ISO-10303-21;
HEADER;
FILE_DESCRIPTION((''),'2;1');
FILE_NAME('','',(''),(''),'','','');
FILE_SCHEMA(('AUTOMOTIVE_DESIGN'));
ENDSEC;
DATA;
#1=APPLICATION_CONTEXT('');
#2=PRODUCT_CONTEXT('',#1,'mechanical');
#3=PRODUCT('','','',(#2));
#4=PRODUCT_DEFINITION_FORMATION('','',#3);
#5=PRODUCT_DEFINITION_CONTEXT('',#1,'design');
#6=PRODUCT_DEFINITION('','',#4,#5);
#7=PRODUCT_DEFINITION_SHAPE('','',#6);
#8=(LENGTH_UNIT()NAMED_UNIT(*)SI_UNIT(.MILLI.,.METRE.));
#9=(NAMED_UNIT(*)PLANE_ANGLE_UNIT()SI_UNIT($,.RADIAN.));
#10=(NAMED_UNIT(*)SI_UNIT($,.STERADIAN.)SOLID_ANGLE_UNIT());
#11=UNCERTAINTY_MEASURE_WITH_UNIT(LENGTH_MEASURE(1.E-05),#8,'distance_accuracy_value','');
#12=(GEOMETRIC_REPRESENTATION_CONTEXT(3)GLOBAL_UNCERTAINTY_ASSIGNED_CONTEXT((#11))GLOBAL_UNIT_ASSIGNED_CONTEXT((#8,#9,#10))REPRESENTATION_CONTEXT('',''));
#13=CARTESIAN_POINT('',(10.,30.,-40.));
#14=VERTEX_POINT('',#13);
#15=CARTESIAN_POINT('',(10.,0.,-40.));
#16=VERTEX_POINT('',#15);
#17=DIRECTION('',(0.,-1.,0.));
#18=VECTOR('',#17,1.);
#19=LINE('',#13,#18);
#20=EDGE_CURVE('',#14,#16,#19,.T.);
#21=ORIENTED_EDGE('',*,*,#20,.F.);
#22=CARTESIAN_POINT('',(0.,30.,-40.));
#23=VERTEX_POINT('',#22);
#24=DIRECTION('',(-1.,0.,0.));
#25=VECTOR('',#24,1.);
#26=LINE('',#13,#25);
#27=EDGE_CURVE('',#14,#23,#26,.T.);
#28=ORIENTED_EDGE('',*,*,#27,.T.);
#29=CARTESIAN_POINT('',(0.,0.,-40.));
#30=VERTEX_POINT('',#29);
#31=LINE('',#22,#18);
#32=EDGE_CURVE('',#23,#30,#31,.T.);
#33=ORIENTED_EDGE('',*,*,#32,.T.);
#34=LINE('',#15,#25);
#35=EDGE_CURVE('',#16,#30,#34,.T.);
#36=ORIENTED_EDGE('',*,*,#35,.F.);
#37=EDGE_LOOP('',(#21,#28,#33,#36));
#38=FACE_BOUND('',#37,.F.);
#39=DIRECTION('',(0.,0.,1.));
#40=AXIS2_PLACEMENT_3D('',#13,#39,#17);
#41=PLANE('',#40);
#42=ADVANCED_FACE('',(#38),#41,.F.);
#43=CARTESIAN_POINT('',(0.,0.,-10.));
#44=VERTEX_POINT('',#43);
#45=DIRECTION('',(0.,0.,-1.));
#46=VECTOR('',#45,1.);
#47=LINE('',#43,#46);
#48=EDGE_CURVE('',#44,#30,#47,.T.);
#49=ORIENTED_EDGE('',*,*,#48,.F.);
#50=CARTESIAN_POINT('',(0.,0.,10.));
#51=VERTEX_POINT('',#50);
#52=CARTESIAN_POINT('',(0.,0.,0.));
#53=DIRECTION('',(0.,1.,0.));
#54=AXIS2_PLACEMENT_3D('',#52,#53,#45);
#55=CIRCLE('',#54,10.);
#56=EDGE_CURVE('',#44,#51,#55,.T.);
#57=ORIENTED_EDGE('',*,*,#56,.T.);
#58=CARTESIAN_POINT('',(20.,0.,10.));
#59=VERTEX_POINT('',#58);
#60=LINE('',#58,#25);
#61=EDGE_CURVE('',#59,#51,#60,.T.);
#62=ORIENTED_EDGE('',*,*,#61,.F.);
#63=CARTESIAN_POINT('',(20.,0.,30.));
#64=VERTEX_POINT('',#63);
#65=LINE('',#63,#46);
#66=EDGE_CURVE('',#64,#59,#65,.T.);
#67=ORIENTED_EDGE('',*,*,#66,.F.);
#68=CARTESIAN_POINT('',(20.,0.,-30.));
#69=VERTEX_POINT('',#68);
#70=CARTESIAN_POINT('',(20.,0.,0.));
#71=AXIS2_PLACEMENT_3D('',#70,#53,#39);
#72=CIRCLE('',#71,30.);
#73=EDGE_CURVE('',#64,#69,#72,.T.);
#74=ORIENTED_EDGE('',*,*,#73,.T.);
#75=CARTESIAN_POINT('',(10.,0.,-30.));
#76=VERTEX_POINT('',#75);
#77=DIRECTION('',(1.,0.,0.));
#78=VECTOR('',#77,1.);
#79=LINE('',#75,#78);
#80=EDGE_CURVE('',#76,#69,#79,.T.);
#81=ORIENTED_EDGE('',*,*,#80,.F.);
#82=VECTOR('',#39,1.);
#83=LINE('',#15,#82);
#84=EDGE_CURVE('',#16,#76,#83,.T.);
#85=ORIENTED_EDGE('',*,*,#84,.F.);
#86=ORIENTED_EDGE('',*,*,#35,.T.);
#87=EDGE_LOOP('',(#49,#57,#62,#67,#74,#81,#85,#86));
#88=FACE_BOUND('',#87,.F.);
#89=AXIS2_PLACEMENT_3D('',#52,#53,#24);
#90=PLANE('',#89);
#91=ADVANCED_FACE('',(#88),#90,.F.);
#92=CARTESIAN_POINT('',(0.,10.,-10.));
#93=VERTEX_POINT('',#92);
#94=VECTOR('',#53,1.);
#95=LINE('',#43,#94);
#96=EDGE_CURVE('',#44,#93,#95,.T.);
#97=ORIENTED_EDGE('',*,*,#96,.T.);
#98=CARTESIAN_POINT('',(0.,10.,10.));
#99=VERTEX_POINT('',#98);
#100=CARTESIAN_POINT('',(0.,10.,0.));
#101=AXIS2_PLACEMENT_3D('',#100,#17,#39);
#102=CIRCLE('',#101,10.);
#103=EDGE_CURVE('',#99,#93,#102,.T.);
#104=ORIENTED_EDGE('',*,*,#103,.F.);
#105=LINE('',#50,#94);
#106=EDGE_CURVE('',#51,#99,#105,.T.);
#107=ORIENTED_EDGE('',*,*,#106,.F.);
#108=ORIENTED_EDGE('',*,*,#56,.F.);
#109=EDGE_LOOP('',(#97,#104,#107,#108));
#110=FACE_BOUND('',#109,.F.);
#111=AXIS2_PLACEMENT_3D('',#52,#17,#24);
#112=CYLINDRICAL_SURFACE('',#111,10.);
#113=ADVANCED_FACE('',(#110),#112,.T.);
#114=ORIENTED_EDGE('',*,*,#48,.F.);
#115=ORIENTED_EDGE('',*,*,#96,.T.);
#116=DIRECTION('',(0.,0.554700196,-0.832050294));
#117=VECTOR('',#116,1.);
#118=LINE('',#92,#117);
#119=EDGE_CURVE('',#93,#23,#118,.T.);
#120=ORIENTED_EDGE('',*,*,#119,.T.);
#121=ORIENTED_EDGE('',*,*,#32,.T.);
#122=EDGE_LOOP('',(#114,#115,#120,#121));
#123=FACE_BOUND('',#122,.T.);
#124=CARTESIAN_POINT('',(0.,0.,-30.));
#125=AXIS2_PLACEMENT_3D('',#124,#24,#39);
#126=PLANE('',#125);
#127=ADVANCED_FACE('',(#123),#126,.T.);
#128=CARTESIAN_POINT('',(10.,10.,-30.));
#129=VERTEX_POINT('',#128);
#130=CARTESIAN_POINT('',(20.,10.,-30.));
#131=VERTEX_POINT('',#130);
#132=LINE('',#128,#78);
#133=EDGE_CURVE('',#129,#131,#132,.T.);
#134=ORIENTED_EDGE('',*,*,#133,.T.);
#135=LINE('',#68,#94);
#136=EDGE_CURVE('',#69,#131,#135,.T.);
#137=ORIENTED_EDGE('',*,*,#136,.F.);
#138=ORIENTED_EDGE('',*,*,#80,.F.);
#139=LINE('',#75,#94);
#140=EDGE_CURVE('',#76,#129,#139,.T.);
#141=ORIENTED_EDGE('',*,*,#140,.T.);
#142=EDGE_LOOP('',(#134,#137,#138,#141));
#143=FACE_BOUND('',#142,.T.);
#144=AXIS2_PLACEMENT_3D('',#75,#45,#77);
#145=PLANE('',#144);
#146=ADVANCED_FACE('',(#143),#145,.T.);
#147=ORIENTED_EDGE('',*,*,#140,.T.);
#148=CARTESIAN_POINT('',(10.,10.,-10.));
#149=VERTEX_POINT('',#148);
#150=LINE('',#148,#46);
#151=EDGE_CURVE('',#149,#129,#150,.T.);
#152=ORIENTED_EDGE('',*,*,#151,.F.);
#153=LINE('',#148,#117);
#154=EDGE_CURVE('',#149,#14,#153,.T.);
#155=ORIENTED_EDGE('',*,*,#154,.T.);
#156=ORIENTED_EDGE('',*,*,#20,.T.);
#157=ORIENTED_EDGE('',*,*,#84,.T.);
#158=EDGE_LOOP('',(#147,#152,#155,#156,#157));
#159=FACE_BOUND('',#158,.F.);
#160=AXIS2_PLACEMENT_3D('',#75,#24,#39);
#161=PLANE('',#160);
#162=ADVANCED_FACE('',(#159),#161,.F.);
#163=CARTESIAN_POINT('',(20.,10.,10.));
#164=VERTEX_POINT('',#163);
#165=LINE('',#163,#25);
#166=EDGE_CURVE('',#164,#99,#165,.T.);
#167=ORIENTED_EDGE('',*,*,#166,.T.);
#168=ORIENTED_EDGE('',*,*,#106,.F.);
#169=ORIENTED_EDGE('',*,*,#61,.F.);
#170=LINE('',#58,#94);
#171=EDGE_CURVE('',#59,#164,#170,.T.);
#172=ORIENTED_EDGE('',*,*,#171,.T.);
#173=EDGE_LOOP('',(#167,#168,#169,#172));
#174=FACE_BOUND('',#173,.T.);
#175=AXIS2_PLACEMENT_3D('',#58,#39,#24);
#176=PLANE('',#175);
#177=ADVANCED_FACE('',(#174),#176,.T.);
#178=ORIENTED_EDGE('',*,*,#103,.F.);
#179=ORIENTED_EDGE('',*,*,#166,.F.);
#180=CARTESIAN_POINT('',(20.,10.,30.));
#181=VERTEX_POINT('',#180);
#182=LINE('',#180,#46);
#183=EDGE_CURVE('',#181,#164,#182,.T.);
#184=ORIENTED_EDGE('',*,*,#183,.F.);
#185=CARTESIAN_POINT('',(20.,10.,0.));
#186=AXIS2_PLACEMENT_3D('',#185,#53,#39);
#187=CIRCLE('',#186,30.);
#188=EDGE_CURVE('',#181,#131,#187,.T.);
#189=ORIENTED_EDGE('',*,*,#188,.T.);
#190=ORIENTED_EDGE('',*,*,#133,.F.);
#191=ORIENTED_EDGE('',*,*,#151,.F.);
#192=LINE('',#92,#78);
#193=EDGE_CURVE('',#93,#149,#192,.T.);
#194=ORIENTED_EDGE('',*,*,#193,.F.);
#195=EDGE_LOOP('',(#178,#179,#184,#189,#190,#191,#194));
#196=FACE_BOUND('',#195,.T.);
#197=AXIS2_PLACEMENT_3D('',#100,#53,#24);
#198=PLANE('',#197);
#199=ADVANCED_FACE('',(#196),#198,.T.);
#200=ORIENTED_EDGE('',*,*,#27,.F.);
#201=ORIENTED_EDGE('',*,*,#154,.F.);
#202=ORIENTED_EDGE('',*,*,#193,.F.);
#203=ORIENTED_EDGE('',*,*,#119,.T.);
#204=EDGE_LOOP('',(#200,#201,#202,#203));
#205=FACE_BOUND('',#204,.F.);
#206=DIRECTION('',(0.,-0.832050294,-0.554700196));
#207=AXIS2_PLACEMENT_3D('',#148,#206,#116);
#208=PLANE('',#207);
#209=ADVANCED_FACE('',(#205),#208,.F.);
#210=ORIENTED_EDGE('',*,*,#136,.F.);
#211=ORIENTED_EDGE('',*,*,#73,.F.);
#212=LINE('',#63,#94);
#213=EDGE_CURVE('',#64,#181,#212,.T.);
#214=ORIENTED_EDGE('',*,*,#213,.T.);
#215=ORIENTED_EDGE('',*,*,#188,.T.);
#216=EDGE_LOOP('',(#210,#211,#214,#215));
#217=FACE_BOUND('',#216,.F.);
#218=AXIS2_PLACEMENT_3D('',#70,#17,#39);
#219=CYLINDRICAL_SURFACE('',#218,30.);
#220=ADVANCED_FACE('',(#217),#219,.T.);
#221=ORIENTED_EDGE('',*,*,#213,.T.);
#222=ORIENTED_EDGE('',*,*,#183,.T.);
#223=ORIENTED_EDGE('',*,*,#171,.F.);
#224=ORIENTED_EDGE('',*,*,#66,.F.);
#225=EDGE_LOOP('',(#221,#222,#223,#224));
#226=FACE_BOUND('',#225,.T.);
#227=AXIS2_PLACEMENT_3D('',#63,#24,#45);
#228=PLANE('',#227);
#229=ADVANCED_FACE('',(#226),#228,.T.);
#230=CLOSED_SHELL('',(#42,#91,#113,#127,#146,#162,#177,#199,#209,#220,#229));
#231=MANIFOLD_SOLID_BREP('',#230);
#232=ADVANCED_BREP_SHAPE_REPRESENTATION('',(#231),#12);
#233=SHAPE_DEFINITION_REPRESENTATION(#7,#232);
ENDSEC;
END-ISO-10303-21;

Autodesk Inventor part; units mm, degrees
ref_plane "YZ Plane" through (0, 0, 0) normal (1, 0, 0) x (0, 1, 0)
ref_plane "XZ Plane" through (0, 0, 0) normal (0, 1, 0) x (-1, 0, 0)
ref_plane "XY Plane" through (0, 0, 0) normal (0, 0, 1) x (1, 0, 0)
sketch "草圖1" plane through (0, 0, 0) normal (0, 1, 0) x (-1, 0, 0)
  circle A0 centre (0, 0) radius 10
  line L0 (0, -10) -> (-10, -10)
  line L1 (-10, -10) -> (-10, -30)
  line L2 (-10, -30) -> (-20, -30)
  arc A1 (-20, 30) -> (-20, -30) centre (-20, 0) ccw
  line L3 (-20, 30) -> (-20, 30)
  line L4 (-20, 30) -> (-20, 10)
  line L5 (-20, 10) -> (0, 10)
  point P0 (-20, 30)
  dimension "d0" = 20
  dimension "d1" = 10
  dimension "d2" = 20
  dimension "d3" = 30
  dimension "d4" = 20
extrude "擠出1" add sketch "草圖1" along normal blind 10
sketch "草圖2" plane through (10, 0, -30) normal (-1, 0, 0) x (0, 0, 1)
  line L0 (0, 0) -> (0, 10) projected
  line L1 (0, 10) -> (20, 10) projected
  line L2 (20, 0) -> (20, 10) projected
  line L3 (40, 0) -> (20, 0) projected
  line L4 (40, 10) -> (40, 0) projected
  line L5 (20, 10) -> (40, 10) projected
  line L6 (20, 0) -> (0, 0) projected
  line L7 (20, 10) -> (-10, 30)
  line L8 (-10, 30) -> (-10, 0)
  line L9 (-10, 0) -> (20, 0)
  line L10 (20, 0) -> (20, 10)
  point P0 (30, 0)
  dimension "d7" = 10
  dimension "d8" = 30
extrude "擠出2" add sketch "草圖2" along normal blind 10 contours L9 L8 L7 L1 L0 | L0 L1 L2 L6
properties part number "44" material "鋼、碳鋼"
